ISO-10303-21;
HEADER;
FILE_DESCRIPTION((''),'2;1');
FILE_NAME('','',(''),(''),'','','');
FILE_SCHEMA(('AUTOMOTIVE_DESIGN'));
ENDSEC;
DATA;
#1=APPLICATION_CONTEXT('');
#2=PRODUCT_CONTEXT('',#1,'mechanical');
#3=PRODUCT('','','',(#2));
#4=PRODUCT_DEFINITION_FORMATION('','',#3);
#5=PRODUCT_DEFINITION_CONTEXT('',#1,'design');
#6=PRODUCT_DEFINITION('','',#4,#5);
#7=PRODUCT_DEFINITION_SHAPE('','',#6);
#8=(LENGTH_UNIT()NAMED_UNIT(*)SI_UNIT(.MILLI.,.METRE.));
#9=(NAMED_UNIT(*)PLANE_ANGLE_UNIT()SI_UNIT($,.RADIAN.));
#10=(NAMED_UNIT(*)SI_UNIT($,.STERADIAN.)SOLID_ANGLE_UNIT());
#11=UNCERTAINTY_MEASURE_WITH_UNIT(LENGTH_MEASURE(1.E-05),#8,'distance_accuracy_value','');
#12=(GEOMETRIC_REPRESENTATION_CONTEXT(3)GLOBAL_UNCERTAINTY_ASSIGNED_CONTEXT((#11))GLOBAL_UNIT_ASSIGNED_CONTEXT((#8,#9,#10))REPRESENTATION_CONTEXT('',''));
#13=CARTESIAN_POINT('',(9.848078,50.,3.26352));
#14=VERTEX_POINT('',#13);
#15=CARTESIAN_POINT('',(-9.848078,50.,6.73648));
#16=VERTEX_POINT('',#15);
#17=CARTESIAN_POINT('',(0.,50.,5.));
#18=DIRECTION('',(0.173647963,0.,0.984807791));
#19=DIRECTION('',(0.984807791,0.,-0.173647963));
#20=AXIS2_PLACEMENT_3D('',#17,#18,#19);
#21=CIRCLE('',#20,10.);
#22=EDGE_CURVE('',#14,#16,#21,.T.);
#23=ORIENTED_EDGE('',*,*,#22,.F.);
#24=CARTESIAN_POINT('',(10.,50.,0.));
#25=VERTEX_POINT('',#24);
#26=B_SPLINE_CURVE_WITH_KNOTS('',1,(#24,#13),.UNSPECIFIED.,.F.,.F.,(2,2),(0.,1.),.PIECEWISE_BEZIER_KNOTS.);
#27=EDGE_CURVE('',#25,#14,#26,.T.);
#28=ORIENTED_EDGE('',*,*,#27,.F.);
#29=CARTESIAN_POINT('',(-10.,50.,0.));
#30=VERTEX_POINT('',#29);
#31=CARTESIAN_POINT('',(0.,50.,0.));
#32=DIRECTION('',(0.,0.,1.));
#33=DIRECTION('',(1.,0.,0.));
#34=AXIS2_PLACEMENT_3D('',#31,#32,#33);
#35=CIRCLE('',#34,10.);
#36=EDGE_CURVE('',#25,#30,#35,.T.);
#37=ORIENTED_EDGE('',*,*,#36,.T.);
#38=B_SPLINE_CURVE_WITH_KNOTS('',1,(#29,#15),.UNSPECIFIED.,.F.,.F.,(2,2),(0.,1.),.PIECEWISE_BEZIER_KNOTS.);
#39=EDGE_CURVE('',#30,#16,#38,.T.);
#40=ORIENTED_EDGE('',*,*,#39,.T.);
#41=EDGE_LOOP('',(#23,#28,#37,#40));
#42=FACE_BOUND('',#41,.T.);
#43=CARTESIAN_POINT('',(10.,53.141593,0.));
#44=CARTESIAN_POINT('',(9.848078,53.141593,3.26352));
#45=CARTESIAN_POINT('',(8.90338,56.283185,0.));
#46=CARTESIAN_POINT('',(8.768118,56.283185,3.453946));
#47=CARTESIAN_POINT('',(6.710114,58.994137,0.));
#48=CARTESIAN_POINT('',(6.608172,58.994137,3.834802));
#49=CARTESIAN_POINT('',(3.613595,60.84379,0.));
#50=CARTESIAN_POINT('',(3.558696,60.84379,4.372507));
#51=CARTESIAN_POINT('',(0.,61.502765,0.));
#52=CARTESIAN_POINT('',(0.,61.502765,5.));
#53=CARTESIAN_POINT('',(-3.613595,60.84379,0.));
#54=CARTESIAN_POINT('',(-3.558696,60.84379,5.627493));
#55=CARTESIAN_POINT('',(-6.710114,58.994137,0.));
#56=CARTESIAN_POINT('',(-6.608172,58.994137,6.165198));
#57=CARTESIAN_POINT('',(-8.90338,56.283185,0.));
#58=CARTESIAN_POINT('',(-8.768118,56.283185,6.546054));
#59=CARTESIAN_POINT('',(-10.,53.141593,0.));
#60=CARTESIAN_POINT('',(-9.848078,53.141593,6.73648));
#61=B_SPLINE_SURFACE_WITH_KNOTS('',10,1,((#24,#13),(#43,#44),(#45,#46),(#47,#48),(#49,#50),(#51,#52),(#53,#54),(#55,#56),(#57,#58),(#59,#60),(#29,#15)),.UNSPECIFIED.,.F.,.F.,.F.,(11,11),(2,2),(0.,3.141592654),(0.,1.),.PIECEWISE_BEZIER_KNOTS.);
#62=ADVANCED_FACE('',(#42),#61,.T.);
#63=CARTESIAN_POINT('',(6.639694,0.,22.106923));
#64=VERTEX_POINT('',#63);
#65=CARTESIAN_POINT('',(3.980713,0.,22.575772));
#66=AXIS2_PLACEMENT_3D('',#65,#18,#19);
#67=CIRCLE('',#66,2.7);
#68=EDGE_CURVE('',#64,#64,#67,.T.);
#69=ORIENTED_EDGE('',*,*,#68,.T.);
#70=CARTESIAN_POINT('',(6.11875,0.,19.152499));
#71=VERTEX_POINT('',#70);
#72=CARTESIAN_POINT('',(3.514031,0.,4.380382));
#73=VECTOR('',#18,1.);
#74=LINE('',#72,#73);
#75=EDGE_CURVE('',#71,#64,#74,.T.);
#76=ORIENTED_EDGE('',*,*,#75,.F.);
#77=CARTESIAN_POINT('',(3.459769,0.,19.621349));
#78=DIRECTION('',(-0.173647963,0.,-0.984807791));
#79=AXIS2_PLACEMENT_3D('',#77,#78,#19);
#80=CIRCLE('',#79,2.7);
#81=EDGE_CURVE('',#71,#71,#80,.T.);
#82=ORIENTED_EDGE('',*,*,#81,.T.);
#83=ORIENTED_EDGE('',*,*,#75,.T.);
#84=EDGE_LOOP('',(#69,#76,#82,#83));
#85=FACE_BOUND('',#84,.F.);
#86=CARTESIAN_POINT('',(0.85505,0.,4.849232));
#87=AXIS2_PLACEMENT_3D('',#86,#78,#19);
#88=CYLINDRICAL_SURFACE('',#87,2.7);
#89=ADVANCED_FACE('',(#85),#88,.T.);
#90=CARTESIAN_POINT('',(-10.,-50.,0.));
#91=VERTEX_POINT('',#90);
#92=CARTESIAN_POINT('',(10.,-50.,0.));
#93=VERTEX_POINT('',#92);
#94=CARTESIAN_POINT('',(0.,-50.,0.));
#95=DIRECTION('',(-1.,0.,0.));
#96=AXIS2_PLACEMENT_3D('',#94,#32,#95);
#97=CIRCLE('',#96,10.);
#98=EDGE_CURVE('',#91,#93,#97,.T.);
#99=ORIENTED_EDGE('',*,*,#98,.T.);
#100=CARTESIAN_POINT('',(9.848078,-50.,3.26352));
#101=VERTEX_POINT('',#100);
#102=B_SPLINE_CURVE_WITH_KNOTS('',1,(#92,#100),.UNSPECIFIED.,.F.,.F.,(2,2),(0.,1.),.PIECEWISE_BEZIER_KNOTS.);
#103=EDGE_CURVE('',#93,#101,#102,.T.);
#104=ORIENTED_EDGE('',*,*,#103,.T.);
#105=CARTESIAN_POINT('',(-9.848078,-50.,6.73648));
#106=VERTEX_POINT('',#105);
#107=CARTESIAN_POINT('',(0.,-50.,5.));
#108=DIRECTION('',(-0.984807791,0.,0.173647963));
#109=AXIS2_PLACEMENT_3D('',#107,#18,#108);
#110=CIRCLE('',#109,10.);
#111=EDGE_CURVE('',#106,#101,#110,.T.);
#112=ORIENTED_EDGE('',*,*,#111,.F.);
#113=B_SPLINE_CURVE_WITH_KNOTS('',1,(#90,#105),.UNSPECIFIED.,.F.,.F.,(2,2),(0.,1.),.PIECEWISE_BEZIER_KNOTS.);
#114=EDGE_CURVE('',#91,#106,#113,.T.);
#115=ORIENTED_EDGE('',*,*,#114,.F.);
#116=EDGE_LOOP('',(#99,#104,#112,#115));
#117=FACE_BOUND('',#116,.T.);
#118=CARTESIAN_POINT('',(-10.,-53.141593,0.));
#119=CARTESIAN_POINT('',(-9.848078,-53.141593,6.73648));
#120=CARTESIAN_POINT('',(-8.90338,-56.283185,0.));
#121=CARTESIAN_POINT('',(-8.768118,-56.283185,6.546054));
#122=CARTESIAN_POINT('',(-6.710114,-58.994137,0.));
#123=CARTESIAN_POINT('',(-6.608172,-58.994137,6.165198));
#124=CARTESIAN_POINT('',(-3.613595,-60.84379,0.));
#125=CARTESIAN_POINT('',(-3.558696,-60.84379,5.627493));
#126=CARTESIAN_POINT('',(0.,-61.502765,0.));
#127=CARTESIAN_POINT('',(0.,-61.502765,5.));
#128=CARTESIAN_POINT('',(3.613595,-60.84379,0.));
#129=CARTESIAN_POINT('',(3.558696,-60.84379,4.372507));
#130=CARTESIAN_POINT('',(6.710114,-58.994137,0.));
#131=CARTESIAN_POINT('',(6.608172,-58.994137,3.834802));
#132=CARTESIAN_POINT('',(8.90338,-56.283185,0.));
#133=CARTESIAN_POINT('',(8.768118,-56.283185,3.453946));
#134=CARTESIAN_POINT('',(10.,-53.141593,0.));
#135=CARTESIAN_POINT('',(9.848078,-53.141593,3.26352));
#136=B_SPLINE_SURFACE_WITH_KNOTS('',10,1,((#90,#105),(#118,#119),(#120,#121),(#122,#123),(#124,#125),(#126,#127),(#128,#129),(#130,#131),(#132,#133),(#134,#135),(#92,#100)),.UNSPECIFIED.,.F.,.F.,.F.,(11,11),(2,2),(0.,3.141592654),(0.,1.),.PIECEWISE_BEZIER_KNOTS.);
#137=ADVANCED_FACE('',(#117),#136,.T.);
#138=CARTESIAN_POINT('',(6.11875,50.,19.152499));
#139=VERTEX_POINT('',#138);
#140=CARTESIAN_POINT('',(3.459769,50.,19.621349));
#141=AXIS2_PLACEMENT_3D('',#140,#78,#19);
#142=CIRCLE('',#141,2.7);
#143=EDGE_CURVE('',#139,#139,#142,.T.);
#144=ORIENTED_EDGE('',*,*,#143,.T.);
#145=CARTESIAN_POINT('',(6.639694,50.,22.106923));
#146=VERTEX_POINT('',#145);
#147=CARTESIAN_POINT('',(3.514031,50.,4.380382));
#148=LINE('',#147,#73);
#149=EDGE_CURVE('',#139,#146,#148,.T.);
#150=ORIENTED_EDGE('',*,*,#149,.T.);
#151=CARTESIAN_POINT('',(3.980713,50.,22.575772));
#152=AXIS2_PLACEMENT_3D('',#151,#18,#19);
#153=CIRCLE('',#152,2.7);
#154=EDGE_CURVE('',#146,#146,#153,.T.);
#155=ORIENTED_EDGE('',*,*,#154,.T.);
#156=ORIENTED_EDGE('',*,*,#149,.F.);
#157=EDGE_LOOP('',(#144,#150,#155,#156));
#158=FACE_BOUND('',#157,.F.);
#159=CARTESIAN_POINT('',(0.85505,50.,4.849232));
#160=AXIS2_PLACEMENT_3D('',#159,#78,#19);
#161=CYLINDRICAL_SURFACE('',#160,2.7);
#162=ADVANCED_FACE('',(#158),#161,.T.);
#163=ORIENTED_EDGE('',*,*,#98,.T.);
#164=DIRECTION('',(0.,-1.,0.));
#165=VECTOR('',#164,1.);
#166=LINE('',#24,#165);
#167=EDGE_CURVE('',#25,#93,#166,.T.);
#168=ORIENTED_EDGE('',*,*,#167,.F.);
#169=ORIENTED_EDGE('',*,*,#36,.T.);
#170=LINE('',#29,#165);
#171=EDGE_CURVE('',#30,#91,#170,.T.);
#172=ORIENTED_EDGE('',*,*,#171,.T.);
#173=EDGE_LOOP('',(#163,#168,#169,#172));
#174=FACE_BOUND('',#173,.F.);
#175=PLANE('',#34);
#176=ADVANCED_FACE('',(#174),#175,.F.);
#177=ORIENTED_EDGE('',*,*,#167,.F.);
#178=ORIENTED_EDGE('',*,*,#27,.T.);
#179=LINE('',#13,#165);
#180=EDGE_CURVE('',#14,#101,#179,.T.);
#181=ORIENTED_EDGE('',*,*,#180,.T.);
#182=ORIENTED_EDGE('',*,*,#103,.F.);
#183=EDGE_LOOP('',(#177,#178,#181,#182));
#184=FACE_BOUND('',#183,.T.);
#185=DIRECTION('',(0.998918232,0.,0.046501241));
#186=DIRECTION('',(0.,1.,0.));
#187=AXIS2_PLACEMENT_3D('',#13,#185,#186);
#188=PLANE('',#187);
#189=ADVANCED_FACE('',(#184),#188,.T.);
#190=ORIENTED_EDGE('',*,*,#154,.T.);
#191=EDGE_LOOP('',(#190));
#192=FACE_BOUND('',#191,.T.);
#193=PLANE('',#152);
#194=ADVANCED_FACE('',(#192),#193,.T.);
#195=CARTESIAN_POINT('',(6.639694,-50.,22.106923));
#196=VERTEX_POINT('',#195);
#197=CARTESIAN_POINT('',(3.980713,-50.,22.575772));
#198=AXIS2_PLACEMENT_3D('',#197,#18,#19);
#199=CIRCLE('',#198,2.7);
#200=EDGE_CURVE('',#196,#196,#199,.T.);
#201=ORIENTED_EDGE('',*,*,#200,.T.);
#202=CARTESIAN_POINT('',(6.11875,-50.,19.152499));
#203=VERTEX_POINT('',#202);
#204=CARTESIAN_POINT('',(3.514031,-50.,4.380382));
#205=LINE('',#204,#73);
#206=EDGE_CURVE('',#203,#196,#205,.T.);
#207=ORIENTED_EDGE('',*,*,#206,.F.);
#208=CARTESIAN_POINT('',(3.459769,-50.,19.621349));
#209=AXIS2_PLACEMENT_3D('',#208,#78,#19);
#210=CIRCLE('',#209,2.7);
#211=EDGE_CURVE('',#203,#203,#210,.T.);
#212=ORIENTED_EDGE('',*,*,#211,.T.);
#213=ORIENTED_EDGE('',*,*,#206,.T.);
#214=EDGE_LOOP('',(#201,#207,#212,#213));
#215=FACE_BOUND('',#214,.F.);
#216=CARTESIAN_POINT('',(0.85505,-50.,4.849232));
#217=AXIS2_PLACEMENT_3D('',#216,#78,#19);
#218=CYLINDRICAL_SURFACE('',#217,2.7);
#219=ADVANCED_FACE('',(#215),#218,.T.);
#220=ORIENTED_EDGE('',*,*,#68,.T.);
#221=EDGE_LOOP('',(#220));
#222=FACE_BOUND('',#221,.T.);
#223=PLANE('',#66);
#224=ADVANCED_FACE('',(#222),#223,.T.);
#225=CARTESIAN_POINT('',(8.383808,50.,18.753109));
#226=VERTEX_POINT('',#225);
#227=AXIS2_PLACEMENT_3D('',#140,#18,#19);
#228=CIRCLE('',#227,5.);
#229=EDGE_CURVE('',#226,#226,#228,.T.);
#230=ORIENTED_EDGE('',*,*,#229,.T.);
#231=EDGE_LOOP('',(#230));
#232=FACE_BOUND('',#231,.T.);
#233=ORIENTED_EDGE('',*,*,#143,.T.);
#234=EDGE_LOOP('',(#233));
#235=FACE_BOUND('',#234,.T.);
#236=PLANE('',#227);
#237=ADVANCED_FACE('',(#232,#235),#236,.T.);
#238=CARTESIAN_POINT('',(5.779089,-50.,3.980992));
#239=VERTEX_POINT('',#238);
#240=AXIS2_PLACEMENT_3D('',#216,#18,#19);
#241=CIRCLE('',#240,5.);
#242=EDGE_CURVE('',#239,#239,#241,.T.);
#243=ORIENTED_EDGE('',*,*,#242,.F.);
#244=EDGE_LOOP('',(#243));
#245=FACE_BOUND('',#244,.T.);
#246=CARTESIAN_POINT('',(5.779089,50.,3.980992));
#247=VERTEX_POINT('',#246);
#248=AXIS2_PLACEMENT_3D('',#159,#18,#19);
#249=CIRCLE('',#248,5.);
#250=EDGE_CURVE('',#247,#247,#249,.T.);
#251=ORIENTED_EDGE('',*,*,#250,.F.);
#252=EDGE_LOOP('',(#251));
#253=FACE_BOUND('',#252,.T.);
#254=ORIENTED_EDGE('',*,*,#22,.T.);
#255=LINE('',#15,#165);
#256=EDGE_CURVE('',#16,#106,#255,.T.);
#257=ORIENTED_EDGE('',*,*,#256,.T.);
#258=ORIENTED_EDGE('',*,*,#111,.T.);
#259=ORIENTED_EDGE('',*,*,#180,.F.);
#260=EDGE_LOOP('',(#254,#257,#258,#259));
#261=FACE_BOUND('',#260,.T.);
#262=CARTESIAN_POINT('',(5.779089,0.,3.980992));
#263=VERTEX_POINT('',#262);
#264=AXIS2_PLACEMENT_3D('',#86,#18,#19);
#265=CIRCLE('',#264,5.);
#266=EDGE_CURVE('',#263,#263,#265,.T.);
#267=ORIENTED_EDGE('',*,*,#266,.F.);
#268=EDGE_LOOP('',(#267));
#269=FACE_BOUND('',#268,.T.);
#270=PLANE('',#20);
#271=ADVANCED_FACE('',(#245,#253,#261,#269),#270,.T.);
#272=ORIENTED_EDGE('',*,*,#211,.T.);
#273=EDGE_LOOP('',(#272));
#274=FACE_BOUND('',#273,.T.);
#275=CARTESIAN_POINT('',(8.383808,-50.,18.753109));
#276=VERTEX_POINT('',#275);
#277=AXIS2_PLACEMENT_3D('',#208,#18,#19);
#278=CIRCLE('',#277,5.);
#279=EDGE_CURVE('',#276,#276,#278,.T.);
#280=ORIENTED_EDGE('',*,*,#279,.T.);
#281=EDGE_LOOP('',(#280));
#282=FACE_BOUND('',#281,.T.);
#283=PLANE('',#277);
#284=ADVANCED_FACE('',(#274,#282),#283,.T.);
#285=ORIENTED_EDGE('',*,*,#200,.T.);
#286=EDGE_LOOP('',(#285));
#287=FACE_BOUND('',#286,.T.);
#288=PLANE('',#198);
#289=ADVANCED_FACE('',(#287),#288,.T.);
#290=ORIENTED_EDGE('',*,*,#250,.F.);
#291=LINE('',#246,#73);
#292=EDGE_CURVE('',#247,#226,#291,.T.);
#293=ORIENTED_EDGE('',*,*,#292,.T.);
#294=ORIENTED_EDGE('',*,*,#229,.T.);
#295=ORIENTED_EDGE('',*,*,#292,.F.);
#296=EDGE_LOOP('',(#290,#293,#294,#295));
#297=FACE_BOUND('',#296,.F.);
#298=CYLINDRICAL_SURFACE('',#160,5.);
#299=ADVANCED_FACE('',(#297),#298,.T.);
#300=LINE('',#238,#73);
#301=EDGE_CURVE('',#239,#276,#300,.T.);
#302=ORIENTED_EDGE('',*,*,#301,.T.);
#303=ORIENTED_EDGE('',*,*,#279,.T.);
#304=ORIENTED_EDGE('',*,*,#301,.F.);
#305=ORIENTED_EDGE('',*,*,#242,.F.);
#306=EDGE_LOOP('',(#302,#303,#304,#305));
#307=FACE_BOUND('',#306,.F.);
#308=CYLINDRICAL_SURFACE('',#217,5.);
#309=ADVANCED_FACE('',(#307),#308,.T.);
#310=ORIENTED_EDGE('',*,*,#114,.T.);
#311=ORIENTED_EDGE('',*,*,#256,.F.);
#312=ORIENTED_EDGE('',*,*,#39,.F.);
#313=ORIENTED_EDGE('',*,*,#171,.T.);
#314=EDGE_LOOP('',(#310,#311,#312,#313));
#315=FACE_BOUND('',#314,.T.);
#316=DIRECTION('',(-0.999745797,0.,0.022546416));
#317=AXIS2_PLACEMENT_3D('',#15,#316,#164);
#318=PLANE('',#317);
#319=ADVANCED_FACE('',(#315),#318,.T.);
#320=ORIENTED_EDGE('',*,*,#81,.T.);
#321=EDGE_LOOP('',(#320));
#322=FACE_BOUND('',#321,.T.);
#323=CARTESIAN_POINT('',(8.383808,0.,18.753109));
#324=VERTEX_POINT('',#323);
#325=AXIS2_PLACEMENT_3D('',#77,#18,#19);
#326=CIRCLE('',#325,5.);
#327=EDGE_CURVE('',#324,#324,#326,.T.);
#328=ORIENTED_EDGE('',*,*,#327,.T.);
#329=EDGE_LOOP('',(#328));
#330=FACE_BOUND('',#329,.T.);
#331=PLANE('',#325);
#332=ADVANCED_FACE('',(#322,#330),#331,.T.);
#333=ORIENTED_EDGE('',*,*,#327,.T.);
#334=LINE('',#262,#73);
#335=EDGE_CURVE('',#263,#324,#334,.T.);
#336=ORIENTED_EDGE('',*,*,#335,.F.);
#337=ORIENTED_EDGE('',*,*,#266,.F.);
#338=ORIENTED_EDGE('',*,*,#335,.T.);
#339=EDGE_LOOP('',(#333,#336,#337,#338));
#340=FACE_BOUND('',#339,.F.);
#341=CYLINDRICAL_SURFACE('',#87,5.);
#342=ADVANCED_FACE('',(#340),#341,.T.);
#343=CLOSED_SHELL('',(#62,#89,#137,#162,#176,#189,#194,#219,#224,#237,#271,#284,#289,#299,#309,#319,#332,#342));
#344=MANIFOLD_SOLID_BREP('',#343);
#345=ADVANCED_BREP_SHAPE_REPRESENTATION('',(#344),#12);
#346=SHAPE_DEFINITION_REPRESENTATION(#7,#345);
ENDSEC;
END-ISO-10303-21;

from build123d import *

# Parameters (mm, degrees)
SKETCH033_R  = 5
PAD010_DEPTH = 15
SKETCH035_R  = 2.7
PAD011_DEPTH = 18


with BuildPart() as part:
    # Sketch032 → AdditiveLoft section 0
    with BuildSketch(Plane.XY):
        with BuildLine():
            ThreePointArc((10, 50), (0, 60), (-10, 50))
            Line((-10, 50), (-10, -50))
            ThreePointArc((-10, -50), (0, -60), (10, -50))
            Line((10, 50), (10, -50))
        make_face()
    # Sketch034 → AdditiveLoft section 1
    with BuildSketch(Plane(origin=(0, 0, 5), x_dir=(0.984808, 0, -0.173648), z_dir=(0.173648, 0, 0.984808))):
        with BuildLine():
            ThreePointArc((10, 50), (0, 60), (-10, 50))
            Line((-10, 50), (-10, -50))
            ThreePointArc((-10, -50), (0, -60), (10, -50))
            Line((10, 50), (10, -50))
        make_face()
    loft()

    # Sketch033 (on Face3 of AdditiveLoft) → Pad010 (new body)
    with BuildSketch(Plane(origin=(0.85505, 0, 4.849232), x_dir=(0.984808, 0, -0.173648), z_dir=(0.173648, 0, 0.984808))):
        with Locations((0, 50)):
            Circle(SKETCH033_R)
        with Locations((0, -50)):
            Circle(SKETCH033_R)
        Circle(SKETCH033_R)
    extrude(amount=PAD010_DEPTH)

    # Sketch035 (on Face3 of AdditiveLoft) → Pad011 (join)
    with BuildSketch(Plane(origin=(0.85505, 0, 4.849232), x_dir=(0.984808, 0, -0.173648), z_dir=(0.173648, 0, 0.984808))):
        with Locations((0, 50)):
            Circle(SKETCH035_R)
        with Locations((0, -50)):
            Circle(SKETCH035_R)
        Circle(SKETCH035_R)
    extrude(amount=PAD011_DEPTH)


solid = part.part
